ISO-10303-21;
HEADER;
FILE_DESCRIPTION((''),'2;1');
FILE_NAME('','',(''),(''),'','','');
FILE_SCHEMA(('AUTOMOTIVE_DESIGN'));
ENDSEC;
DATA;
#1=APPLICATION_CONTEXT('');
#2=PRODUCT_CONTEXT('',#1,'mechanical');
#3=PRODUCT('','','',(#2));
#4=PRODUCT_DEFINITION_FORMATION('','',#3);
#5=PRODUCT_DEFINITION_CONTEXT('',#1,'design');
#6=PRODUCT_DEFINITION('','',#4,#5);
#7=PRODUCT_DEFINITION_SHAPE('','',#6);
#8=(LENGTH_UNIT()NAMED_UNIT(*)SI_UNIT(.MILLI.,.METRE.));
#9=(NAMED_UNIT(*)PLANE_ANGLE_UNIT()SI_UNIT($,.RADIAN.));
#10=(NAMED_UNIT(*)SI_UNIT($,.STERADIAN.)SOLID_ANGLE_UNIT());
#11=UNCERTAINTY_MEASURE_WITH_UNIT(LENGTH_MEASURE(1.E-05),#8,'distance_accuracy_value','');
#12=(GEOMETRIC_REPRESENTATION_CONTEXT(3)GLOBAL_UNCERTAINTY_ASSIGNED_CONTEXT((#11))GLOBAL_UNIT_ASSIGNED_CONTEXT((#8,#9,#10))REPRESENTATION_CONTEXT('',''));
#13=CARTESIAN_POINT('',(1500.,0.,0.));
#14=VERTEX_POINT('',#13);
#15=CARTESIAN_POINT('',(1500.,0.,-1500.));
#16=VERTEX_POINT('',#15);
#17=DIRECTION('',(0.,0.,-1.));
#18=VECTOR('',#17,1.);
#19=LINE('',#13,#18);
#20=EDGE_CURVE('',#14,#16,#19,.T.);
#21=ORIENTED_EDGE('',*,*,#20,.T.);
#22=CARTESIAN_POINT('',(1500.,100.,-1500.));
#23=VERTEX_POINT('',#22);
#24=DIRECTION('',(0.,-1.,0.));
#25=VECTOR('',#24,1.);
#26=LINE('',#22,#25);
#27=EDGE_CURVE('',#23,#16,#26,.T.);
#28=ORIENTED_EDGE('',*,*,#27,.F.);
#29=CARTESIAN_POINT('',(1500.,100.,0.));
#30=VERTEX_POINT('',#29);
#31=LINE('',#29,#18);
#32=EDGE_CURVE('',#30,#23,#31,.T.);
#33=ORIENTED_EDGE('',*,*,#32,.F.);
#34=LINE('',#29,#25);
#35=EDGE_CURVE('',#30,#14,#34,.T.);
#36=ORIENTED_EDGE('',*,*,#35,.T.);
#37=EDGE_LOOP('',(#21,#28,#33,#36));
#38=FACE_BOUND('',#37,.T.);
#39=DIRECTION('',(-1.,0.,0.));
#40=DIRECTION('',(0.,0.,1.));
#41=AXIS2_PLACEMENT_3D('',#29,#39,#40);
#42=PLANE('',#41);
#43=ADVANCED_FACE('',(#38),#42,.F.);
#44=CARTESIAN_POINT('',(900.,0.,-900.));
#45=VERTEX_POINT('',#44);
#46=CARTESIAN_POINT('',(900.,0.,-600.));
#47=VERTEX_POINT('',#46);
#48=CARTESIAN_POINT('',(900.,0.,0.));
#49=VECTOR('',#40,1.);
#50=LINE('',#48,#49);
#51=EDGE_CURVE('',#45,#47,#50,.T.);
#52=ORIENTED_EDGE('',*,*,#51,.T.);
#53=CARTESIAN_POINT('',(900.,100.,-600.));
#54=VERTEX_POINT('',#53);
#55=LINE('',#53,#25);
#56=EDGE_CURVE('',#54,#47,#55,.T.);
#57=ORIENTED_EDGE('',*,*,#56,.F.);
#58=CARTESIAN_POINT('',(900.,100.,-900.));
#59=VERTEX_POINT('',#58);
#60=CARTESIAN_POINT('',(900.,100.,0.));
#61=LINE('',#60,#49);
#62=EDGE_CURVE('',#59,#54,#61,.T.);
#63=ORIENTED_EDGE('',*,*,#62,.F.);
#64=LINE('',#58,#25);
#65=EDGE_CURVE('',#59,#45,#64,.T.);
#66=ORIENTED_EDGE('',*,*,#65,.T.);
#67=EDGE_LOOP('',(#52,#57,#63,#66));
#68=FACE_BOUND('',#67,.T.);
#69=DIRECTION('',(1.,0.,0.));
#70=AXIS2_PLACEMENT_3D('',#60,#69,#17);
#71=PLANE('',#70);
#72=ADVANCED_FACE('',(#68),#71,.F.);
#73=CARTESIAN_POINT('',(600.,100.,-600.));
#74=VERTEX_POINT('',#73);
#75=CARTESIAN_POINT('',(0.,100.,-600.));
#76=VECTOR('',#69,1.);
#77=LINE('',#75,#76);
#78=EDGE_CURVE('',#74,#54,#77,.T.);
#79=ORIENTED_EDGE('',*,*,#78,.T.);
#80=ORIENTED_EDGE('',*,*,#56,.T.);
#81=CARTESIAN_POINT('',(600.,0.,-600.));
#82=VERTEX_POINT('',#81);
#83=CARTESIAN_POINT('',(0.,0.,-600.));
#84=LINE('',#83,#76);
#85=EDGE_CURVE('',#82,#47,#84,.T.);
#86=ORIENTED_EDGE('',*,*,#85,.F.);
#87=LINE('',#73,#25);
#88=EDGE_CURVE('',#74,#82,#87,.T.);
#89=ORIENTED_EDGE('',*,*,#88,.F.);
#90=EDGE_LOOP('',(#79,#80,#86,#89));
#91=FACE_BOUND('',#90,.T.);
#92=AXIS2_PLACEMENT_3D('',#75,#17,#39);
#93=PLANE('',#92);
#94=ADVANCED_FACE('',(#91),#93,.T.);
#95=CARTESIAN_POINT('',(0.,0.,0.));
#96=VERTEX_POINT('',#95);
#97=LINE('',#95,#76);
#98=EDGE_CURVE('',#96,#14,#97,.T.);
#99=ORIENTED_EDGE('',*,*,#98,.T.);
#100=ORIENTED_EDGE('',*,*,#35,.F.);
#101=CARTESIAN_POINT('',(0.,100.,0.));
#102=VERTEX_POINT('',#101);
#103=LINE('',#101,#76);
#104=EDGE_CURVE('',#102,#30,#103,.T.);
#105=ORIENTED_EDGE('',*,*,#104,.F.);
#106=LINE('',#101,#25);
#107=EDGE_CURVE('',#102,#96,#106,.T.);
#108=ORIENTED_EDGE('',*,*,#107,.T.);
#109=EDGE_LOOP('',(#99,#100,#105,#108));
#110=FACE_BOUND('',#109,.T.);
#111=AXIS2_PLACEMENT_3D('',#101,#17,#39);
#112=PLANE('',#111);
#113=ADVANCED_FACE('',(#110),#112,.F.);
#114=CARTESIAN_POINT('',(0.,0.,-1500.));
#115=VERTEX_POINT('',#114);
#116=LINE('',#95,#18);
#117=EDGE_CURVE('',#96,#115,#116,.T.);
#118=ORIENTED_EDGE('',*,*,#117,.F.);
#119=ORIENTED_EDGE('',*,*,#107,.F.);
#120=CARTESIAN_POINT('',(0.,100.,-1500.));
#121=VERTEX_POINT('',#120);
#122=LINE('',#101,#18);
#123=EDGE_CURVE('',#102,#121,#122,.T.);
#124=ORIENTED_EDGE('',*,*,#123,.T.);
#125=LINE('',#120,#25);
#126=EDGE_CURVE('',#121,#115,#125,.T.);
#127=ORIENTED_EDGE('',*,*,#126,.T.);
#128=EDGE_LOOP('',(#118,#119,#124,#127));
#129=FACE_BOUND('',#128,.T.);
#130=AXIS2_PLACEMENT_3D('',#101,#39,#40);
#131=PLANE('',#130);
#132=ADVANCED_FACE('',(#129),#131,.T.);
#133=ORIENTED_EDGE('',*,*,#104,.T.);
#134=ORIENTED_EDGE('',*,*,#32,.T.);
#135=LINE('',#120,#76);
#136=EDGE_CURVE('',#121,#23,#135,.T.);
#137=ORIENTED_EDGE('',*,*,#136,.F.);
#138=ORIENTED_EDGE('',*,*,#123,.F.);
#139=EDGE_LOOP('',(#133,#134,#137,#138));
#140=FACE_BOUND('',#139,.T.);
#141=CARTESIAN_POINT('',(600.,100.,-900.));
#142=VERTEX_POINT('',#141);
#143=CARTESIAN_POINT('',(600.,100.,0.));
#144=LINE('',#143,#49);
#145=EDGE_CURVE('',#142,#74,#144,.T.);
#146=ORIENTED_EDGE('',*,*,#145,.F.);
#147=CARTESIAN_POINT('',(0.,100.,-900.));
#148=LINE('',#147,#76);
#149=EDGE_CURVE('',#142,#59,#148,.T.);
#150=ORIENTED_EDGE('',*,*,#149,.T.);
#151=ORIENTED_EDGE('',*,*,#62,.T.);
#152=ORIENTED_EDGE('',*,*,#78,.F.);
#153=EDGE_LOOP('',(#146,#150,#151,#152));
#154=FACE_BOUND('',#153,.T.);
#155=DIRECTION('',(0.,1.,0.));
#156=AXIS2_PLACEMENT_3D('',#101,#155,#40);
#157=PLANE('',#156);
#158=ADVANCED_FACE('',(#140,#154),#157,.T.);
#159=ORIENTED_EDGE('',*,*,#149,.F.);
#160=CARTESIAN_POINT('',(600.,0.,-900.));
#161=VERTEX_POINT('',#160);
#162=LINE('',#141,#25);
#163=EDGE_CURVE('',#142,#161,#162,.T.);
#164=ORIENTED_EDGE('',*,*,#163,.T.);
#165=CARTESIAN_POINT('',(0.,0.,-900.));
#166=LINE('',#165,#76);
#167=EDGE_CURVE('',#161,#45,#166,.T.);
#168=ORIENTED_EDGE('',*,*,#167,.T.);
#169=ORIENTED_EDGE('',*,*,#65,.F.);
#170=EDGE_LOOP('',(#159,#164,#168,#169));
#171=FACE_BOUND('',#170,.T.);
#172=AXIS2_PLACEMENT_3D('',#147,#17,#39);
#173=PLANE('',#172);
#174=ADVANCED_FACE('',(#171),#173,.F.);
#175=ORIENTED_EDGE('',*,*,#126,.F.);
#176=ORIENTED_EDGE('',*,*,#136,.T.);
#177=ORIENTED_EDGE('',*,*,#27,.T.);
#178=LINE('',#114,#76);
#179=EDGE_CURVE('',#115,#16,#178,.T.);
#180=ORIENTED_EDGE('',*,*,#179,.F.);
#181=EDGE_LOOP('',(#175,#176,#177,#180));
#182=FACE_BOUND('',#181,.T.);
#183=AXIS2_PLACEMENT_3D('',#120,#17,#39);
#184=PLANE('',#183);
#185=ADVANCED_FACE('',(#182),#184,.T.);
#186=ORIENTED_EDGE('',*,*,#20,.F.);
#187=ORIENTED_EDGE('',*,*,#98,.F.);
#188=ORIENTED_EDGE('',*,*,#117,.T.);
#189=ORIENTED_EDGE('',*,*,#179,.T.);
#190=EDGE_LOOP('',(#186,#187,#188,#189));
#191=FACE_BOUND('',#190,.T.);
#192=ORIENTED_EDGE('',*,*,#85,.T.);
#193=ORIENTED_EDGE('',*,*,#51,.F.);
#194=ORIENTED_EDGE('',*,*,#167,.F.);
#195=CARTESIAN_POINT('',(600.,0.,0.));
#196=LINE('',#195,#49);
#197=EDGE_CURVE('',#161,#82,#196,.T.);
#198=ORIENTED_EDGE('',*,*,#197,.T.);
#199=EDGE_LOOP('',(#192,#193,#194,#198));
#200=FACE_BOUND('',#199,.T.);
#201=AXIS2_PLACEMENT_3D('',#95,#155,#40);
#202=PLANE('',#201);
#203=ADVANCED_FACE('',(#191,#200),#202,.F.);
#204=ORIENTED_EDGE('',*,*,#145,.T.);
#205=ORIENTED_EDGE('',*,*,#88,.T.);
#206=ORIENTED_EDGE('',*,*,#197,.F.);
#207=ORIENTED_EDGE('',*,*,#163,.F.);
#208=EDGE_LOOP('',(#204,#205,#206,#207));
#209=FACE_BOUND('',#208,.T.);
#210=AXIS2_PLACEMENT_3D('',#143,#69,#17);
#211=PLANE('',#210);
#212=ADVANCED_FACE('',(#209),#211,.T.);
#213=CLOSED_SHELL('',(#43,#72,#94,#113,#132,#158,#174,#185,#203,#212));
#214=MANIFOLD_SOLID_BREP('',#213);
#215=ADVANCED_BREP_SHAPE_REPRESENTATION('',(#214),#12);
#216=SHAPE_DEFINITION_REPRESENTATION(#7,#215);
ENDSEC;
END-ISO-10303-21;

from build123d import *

# Parameters (mm, degrees)
SKETCH1_W           = 1500
SKETCH1_H           = 1500
SKETCH1_W_2         = 300
SKETCH1_H_2         = 300
BOSS_EXTRUDE1_DEPTH = 100


with BuildPart() as part:
    # Sketch1 → Boss-Extrude1 (new body)
    with BuildSketch(Plane(origin=(0, 0, 0), x_dir=(1, 0, 0), z_dir=(0, 1, 0))):
        with Locations((750, 750)):
            Rectangle(SKETCH1_W, SKETCH1_H)
        with Locations((750, 750)):
            Rectangle(SKETCH1_W_2, SKETCH1_H_2, mode=Mode.SUBTRACT)
    extrude(amount=BOSS_EXTRUDE1_DEPTH)


solid = part.part
